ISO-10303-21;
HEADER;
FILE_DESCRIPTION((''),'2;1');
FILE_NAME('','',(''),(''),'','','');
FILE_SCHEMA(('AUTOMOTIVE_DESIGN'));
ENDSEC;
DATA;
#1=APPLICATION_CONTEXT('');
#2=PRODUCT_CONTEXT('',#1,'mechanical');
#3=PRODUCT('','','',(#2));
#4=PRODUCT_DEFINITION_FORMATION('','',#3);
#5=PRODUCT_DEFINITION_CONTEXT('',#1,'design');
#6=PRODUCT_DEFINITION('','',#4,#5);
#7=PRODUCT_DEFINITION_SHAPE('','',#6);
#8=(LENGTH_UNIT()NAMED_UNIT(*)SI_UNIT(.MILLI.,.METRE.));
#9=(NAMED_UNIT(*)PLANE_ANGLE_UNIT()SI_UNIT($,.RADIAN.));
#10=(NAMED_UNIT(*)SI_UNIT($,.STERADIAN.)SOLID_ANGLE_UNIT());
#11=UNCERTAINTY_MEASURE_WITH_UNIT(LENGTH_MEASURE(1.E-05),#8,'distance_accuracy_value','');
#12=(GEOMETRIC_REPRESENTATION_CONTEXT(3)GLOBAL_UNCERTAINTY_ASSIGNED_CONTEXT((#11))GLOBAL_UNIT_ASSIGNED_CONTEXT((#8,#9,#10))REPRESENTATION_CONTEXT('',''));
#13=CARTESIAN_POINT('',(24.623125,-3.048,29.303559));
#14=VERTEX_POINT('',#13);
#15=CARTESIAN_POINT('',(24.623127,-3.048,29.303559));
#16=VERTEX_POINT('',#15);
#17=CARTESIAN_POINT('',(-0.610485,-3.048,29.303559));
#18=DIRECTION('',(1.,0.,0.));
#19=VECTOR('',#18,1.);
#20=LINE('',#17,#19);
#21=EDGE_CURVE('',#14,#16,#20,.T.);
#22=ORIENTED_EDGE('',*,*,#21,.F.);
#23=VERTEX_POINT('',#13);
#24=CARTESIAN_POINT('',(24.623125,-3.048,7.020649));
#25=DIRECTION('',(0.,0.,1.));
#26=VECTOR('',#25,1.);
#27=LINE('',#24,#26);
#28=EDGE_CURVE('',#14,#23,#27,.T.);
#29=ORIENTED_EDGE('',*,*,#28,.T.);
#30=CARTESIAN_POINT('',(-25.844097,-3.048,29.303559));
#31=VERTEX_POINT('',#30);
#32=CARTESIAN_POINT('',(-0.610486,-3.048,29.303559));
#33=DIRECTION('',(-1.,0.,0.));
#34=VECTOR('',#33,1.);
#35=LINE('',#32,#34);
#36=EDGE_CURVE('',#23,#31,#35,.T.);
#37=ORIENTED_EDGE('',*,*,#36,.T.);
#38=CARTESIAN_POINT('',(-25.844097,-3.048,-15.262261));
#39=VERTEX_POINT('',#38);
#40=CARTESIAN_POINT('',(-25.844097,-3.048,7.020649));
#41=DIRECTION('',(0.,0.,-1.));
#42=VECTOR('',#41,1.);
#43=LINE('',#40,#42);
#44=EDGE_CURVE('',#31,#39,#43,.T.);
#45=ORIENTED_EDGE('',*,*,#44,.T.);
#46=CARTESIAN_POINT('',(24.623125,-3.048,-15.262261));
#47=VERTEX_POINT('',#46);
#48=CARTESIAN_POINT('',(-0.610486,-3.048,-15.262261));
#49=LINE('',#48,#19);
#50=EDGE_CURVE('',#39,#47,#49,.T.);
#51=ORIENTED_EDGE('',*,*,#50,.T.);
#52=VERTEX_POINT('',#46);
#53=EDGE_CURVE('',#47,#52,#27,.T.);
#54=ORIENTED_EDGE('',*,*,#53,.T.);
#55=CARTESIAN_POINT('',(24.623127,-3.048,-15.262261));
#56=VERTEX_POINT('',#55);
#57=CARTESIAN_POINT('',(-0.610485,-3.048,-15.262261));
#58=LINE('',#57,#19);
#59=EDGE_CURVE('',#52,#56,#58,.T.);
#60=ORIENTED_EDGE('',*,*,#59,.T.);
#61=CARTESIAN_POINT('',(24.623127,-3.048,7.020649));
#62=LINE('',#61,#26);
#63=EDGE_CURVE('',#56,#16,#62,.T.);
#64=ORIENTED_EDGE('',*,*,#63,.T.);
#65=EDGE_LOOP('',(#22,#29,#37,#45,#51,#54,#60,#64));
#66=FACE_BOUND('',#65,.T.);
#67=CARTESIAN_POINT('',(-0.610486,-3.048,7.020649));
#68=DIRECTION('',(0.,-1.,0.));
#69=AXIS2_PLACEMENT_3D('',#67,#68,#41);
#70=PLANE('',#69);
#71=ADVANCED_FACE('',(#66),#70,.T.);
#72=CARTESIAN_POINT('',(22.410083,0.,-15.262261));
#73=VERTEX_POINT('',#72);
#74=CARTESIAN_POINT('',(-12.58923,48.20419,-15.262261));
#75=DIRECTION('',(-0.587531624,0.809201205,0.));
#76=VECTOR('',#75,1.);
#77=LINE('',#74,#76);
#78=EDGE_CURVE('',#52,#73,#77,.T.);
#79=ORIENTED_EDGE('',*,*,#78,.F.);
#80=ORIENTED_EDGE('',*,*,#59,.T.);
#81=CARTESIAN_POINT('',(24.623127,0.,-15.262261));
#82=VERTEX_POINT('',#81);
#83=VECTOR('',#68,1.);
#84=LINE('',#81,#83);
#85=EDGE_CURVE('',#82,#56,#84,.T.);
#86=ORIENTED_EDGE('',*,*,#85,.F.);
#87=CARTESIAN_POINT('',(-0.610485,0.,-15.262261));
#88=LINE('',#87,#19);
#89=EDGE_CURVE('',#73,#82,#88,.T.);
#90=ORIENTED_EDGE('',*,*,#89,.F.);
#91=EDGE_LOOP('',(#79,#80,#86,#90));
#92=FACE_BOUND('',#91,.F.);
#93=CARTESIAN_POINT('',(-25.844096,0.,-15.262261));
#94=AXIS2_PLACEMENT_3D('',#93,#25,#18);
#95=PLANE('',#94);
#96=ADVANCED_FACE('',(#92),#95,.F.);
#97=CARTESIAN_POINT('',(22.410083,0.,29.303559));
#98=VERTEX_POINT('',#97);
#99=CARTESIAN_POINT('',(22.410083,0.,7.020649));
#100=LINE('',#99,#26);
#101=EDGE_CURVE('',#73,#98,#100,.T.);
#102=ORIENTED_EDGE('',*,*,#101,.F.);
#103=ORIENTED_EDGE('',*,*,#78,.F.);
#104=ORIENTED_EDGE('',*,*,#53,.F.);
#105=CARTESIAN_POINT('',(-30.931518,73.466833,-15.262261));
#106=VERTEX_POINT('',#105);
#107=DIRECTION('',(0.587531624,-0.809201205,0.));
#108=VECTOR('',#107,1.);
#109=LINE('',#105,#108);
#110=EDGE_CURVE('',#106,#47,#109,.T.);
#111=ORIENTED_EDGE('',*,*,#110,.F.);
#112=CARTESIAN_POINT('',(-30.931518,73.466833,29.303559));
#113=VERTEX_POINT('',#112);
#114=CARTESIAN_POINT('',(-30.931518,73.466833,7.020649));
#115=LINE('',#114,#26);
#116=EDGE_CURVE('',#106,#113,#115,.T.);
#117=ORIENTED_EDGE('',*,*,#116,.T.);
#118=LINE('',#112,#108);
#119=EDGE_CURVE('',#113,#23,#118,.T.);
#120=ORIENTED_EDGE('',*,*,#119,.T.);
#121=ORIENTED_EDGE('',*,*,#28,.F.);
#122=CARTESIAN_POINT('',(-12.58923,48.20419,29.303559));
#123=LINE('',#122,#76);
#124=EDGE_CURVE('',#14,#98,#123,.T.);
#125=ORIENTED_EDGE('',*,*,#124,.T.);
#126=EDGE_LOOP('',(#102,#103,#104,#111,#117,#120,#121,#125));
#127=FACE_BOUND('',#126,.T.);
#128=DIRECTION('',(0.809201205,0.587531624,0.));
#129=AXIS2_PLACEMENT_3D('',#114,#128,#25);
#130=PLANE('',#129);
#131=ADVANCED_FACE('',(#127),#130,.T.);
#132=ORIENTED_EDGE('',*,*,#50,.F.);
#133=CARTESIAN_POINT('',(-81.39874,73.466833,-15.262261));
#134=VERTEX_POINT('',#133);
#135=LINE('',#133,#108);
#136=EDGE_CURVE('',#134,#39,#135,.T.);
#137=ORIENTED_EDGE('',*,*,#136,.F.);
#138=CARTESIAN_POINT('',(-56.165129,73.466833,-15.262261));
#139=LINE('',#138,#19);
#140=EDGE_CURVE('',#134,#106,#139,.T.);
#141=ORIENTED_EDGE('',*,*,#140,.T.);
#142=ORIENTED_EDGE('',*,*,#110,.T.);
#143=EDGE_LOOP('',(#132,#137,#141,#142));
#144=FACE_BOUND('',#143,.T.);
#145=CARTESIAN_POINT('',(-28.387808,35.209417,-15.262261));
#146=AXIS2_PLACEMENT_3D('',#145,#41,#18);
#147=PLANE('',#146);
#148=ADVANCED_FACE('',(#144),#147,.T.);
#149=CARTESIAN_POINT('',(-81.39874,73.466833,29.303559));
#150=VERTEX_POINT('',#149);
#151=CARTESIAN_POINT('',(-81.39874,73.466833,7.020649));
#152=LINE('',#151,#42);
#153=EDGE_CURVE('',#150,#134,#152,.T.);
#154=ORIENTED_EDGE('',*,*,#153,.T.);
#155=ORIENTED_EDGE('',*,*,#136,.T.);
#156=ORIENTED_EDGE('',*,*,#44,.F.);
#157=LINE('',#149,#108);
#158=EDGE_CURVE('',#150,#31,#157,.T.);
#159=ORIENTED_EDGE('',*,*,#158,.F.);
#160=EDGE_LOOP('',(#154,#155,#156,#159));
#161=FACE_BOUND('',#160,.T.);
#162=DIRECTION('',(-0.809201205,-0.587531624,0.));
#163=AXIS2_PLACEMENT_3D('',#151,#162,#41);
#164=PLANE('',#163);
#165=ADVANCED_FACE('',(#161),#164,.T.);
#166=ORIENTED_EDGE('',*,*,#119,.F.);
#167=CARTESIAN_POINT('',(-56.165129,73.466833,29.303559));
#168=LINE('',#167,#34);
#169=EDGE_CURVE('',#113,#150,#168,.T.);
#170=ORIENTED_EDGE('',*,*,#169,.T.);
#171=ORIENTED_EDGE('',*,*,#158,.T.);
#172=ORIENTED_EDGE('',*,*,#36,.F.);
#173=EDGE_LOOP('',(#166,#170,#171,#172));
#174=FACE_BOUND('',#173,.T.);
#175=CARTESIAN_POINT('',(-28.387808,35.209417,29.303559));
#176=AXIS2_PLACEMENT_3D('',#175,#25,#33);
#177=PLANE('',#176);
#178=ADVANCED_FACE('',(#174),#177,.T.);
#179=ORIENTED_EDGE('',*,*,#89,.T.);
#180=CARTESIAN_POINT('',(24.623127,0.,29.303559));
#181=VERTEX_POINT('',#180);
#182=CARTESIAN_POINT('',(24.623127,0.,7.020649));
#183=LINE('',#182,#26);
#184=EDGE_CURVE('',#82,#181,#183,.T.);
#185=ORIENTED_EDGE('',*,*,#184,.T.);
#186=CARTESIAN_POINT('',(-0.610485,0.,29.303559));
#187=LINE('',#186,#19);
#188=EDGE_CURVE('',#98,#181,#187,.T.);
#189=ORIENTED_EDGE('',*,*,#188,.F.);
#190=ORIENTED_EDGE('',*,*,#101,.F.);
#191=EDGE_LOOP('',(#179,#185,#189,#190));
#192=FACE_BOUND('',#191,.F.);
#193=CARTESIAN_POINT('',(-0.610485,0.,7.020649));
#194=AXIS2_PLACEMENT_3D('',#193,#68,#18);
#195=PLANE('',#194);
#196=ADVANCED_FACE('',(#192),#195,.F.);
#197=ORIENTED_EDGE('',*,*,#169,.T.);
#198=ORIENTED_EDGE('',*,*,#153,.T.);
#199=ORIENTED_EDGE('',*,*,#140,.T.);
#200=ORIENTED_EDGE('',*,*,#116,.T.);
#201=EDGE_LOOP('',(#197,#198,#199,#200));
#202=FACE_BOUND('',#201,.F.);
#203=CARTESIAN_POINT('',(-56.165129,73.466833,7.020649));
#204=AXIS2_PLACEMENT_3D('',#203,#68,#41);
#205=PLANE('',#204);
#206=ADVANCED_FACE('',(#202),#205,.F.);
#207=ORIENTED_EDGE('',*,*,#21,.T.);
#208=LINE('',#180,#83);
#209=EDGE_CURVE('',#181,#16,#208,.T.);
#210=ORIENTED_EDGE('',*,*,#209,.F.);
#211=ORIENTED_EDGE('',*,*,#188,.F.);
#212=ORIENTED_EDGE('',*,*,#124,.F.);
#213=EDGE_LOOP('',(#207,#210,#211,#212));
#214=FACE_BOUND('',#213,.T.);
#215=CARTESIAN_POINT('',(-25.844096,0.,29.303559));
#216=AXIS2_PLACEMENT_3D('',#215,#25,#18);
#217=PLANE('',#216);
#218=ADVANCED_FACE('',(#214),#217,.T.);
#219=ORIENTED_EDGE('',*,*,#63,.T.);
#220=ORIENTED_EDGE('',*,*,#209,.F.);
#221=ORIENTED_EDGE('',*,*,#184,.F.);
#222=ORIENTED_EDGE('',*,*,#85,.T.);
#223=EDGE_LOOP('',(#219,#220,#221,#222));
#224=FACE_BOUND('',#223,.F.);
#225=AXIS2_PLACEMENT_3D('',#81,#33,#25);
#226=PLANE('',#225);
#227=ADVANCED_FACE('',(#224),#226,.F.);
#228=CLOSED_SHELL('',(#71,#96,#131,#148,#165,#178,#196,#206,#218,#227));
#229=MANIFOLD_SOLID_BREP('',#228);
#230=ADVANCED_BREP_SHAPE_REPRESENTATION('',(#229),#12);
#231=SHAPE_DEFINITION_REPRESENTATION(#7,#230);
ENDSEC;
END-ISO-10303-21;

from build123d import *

# Parameters (mm, degrees)
F0_W      = 50.467223
F0_H      = 44.565819
F1_DEPTH  = 3.048
F1_FACE_W = 50.467222
F1_FACE_H = 44.56582


with BuildPart() as f1:
    # F0 (on Front) → F1 (new body)
    with BuildSketch(Plane.XZ):
        with Locations((-0.610485, 7.020649)):
            Rectangle(F0_W, F0_H)
    extrude(amount=F1_DEPTH)

    # F3: sweep along a path in F2
    with BuildLine(Plane.XY) as f3_path:
        Line((-55.554643, 76.514833), (0, 0))
    # F1_face (on face) → F3 (sweep)
    with BuildSketch(Plane(origin=(-0.610486, -3.048, 7.020649), x_dir=(1, 0, 0), z_dir=(0, -1, 0))):
        Rectangle(F1_FACE_W, F1_FACE_H)
    sweep(path=f3_path.line)


solid = f1.part
